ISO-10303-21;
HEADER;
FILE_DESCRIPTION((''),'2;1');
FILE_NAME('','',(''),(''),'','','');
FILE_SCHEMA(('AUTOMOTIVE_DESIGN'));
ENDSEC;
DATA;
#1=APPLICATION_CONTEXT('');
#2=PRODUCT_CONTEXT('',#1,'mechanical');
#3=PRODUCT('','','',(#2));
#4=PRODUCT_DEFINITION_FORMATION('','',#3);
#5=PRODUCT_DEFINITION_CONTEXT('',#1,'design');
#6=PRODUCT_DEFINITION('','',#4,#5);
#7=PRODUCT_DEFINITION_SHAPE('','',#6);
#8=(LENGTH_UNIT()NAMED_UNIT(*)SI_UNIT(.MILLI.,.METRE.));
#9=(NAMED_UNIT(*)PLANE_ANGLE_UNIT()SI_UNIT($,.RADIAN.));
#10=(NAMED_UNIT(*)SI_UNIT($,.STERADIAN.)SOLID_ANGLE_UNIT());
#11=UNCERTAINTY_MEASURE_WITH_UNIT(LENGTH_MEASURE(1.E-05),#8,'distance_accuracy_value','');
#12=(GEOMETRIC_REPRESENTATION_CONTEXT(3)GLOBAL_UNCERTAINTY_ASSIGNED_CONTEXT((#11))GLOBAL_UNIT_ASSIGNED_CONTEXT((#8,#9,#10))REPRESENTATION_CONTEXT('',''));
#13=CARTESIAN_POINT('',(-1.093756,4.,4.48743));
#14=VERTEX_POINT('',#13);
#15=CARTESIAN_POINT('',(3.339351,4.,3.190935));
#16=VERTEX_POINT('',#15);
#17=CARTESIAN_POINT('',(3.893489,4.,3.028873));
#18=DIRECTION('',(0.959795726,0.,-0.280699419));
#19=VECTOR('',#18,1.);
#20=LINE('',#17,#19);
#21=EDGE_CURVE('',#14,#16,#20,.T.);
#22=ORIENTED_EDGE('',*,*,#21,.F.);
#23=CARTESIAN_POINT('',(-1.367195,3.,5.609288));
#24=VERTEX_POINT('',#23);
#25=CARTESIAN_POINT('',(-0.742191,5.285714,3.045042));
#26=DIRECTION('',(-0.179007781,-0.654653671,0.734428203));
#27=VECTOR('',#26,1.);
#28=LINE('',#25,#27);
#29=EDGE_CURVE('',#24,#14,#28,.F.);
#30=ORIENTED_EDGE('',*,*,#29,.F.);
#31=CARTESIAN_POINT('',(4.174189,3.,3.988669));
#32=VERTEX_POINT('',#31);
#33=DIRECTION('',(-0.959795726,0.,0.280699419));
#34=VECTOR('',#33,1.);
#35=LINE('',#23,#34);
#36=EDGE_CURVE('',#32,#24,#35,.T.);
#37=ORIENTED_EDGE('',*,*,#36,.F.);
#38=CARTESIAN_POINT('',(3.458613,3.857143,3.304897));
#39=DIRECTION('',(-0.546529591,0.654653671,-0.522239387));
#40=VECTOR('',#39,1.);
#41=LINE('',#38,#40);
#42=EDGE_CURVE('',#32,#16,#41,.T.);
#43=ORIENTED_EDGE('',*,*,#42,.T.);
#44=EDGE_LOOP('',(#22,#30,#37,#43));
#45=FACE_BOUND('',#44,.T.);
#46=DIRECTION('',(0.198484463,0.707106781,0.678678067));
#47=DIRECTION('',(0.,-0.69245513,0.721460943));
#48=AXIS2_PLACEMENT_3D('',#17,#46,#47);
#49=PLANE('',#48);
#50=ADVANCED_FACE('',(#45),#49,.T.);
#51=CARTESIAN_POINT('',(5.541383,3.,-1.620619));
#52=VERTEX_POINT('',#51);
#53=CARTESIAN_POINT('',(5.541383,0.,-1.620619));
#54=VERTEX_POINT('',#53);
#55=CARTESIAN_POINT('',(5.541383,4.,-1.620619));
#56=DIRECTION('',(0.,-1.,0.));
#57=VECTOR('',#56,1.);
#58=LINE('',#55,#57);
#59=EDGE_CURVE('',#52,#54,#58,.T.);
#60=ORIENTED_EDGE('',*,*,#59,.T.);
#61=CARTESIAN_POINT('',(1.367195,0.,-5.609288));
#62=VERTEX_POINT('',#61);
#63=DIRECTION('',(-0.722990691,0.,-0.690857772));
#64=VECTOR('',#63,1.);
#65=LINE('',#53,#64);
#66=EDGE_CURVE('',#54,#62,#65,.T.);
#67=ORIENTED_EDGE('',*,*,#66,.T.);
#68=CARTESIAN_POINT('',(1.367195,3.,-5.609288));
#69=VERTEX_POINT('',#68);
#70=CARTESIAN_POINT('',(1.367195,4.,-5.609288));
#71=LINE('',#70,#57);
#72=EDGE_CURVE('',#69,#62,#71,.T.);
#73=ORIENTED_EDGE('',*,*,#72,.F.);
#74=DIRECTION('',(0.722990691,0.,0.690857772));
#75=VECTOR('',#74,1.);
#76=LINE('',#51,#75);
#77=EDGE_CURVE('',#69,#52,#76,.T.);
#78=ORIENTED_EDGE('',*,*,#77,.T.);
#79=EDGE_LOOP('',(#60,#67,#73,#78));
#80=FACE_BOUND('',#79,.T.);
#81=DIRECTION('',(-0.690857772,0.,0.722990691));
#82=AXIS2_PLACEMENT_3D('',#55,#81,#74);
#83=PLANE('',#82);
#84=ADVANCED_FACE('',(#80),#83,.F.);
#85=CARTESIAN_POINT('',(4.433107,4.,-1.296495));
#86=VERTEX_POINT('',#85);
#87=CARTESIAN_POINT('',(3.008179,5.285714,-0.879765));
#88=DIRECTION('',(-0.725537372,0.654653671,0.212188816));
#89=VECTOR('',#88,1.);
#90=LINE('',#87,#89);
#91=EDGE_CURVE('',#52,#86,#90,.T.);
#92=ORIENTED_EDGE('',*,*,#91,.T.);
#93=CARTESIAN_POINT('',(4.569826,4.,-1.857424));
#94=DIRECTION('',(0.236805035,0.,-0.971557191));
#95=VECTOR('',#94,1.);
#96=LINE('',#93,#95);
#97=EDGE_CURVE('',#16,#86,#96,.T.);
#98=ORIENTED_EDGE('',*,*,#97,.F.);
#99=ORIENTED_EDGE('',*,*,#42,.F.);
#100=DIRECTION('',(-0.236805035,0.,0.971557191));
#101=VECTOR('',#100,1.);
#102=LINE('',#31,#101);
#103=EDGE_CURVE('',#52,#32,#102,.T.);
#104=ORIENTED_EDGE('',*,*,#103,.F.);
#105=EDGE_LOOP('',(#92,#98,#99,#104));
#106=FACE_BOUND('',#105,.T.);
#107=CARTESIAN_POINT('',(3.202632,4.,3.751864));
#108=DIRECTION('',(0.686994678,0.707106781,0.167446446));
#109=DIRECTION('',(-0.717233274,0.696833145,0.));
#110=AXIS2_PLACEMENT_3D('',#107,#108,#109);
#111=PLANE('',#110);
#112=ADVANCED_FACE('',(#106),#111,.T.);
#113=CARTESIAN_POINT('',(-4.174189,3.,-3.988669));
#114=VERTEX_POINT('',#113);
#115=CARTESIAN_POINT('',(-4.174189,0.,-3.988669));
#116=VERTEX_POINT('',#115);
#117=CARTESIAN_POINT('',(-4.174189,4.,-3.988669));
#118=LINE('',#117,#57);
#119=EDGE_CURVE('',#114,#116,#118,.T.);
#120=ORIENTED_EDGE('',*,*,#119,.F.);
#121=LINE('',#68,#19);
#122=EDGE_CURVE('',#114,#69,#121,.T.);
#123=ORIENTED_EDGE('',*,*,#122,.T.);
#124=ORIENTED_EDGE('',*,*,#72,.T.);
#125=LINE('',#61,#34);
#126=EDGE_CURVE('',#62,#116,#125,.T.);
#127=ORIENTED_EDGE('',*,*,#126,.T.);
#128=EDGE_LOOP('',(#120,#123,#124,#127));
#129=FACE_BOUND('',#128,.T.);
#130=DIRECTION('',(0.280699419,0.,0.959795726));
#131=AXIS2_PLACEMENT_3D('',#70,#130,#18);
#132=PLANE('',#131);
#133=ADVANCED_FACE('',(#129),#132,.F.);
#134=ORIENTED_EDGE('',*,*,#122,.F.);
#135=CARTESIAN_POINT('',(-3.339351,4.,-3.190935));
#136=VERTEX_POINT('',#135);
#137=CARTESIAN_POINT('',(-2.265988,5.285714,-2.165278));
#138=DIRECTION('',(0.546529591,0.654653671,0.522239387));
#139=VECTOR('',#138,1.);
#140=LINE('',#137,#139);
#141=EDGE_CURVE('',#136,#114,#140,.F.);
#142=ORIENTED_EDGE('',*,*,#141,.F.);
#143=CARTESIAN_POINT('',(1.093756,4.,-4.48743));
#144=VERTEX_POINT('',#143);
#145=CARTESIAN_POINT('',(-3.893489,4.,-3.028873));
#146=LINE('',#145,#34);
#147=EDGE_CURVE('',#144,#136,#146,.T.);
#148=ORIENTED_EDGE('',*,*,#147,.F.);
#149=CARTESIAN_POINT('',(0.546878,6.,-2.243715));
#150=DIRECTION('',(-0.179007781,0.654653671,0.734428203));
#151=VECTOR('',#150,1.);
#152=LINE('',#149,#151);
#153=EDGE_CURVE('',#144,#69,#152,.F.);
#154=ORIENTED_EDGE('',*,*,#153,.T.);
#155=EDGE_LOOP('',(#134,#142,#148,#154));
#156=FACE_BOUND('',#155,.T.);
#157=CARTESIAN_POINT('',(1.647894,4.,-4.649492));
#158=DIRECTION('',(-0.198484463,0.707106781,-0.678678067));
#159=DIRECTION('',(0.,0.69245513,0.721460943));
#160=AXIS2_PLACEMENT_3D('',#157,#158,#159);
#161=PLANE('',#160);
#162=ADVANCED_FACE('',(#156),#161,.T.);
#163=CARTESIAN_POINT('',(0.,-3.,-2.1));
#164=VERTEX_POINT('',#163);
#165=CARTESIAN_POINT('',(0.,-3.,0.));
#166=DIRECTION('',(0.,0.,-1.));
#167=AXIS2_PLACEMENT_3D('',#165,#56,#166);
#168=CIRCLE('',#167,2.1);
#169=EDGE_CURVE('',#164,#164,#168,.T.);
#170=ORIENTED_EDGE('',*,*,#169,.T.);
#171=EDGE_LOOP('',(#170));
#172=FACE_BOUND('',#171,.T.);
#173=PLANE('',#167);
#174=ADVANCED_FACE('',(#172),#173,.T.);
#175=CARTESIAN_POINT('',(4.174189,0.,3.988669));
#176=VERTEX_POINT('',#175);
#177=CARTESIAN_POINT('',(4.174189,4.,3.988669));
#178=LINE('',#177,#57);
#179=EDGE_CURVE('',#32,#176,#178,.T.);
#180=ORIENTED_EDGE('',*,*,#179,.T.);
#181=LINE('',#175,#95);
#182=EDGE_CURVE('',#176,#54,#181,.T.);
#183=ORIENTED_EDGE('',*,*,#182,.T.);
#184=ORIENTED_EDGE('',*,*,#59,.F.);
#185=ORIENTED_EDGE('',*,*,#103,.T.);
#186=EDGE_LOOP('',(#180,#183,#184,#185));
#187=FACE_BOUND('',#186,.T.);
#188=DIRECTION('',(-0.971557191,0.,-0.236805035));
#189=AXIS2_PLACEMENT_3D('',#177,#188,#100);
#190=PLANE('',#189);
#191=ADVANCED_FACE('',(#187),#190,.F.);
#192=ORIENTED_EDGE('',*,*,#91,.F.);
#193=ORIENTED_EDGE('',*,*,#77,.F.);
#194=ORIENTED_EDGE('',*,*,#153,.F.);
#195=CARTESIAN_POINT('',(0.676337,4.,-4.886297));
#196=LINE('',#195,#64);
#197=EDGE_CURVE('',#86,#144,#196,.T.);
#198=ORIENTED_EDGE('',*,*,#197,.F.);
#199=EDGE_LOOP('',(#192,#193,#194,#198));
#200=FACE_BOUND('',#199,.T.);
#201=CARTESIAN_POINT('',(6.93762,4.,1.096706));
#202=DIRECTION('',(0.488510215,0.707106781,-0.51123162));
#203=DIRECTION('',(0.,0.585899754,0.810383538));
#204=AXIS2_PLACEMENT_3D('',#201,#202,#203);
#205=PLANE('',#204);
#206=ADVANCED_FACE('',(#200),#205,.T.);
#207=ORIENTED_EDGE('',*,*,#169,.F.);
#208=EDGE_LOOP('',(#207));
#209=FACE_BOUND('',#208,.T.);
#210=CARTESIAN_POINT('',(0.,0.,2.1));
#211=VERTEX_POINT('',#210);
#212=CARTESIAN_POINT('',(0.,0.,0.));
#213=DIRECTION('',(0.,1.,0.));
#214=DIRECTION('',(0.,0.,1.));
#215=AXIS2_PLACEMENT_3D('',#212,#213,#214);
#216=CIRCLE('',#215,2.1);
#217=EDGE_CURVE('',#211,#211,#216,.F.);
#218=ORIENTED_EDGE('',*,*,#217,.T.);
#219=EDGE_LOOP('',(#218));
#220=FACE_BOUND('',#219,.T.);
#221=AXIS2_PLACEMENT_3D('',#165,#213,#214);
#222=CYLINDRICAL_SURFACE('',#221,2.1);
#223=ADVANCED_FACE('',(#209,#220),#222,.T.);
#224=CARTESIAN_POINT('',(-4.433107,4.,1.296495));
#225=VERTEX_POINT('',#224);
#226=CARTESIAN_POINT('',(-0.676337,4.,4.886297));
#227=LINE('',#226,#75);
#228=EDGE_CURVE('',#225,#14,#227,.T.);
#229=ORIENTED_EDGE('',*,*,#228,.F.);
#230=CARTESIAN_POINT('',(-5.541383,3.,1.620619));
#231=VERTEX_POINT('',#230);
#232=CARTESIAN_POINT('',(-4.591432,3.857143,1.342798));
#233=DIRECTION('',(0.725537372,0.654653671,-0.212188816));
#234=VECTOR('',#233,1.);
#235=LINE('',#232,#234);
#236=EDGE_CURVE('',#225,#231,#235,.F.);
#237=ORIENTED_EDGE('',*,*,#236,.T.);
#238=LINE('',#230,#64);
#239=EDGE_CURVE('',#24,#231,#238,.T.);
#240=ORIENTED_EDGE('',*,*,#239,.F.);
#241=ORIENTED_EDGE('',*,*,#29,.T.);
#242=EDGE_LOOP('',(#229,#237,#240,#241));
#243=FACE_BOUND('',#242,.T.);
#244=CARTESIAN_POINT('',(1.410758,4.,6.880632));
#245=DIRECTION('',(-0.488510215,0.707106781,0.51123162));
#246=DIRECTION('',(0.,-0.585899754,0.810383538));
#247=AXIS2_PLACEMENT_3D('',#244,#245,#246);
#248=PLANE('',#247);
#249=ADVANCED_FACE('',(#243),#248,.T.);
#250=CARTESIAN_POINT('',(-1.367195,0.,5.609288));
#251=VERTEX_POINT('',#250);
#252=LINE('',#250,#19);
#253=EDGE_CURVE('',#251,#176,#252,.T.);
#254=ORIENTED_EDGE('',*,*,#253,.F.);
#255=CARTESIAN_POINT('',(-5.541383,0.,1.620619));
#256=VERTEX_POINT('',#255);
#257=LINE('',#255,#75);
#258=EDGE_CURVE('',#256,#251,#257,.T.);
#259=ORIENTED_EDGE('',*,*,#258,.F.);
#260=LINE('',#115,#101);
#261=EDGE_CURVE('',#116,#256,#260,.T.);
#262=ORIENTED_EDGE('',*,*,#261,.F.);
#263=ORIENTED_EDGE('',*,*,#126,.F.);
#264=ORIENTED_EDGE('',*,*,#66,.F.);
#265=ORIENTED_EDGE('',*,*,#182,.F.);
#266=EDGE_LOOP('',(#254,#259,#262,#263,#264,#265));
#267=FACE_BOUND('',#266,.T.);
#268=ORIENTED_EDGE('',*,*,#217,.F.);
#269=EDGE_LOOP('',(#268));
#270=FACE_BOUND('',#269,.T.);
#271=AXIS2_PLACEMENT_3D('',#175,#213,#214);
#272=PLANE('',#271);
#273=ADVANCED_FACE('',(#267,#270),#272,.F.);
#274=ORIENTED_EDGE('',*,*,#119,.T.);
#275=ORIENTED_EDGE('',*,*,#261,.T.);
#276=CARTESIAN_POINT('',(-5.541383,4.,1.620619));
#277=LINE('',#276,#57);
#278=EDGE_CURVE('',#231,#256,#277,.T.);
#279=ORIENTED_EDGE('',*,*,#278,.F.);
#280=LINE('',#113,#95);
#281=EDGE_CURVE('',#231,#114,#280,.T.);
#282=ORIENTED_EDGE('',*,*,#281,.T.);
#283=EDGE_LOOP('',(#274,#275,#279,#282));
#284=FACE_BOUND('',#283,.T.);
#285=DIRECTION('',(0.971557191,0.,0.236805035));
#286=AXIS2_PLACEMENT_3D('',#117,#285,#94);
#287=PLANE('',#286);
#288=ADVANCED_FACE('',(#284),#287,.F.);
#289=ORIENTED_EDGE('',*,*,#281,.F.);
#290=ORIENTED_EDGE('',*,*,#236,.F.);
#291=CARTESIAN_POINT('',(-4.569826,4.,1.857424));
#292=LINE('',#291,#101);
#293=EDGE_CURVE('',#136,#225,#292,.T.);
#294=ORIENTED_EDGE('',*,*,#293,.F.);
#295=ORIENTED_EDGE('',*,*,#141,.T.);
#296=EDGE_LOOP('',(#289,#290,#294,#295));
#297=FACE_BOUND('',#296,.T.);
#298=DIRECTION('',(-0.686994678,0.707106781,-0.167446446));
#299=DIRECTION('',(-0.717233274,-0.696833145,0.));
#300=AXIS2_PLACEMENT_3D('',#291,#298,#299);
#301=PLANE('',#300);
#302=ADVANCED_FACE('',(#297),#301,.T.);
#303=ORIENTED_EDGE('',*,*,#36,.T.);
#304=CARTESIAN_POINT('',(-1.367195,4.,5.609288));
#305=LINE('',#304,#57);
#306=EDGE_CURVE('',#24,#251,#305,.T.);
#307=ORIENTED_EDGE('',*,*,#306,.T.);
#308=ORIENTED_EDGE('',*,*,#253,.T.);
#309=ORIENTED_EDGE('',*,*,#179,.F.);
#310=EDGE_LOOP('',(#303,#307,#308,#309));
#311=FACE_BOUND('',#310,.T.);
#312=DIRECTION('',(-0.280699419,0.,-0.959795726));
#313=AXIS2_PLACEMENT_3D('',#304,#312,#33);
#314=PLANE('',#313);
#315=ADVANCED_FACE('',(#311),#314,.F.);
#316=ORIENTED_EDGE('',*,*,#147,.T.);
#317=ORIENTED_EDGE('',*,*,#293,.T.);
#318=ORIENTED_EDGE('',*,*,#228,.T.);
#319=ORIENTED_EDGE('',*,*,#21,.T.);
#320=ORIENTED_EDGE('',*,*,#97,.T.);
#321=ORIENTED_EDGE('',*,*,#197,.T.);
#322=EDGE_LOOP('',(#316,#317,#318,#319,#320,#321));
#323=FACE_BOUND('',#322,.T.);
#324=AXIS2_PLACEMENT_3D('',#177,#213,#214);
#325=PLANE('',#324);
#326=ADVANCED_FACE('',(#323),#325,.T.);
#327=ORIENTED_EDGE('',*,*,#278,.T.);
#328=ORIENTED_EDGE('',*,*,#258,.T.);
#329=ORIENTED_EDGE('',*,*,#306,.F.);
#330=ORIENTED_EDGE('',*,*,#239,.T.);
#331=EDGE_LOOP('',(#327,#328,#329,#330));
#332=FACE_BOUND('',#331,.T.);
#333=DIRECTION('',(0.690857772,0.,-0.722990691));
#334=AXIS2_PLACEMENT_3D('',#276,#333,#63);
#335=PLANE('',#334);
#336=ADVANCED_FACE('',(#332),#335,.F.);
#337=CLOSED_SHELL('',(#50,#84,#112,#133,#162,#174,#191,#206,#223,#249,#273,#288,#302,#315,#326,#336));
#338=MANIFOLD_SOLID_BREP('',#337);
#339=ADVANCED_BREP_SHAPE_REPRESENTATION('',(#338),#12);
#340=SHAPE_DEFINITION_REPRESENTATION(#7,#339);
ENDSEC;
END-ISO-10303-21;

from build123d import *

# Parameters (mm, degrees)
EXTRUDE_1_DEPTH = 4
CHAMFER_1_SIZE  = 1
SKETCH_2_R      = 2.1
EXTRUDE_2_DEPTH = 3


with BuildPart() as part:
    # 草图1 → 拉伸1 (new body)
    with BuildSketch(Plane(origin=(0, 0, 0), x_dir=(1, 0, 0), z_dir=(0, 1, 0))):
        Polygon((4.174188702, -3.988669204), (5.541383209, 1.620618854), (1.367194507, 5.609288058), (-4.174188702, 3.988669204), (-5.541383209, -1.620618854), (-1.367194507, -5.609288058), align=None)
    extrude(amount=EXTRUDE_1_DEPTH)

    # 倒角1
    chamfer_1_edges = [part.edges().sort_by_distance(p)[0] for p in [
        (3.454288858, 4, -3.614953456),
        (-1.403497097, 4, -4.798978631),
        (-4.857785955, 4, -1.184025175),
        (-3.454288858, 4, 3.614953456),
        (1.403497097, 4, 4.798978631),
        (4.857785955, 4, 1.184025175),
    ]]
    chamfer(chamfer_1_edges, length=CHAMFER_1_SIZE)

    # 草图2 → 拉伸2 (add)
    with BuildSketch(Plane.XZ):
        with Locations(Location((0, 0, 0), (0, 0, 90))):
            Circle(SKETCH_2_R)
    extrude(amount=EXTRUDE_2_DEPTH)


solid = part.part
